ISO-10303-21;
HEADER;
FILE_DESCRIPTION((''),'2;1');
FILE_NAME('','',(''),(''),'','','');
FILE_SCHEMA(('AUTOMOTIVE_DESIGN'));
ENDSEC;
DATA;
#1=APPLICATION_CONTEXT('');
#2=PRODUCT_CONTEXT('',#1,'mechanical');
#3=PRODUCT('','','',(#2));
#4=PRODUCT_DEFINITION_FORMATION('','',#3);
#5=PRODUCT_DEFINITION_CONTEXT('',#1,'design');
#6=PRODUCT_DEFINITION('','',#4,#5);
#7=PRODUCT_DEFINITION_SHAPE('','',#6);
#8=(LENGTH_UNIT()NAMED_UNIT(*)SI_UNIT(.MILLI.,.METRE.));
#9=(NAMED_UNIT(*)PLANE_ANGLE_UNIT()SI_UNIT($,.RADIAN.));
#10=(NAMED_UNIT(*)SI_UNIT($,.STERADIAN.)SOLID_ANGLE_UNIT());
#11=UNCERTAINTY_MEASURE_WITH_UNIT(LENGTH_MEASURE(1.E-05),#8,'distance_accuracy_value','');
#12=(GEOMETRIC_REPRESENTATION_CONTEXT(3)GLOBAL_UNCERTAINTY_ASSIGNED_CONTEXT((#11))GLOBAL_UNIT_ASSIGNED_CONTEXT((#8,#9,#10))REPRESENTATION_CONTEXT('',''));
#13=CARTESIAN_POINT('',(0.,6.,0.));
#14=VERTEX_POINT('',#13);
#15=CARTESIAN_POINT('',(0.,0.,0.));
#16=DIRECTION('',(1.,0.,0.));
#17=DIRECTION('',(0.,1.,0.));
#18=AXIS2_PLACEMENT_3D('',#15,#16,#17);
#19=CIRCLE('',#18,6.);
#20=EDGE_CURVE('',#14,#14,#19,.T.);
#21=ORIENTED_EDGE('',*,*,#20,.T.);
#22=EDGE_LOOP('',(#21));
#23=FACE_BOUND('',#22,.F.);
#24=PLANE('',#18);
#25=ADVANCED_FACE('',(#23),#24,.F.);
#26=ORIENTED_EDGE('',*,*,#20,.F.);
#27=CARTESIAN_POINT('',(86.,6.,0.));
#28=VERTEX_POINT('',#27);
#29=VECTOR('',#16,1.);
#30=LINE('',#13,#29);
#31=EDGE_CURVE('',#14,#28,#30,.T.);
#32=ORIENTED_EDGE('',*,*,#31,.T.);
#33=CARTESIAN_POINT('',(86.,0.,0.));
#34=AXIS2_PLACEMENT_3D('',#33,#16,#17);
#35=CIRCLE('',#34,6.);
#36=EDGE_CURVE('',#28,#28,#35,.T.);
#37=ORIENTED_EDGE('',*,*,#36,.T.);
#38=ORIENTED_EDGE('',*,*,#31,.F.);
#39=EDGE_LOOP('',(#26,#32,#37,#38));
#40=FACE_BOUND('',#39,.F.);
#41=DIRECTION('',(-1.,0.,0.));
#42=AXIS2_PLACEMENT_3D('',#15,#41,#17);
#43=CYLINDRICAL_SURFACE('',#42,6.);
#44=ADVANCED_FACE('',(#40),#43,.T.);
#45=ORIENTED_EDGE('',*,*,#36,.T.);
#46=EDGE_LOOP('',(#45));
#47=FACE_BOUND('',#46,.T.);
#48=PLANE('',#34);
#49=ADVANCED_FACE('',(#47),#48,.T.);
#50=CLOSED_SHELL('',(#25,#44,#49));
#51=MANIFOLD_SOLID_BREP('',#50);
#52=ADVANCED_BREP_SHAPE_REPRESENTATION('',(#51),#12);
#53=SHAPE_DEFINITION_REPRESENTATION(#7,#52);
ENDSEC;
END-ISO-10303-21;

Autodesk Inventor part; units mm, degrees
ref_plane "YZ Plane" through (0, 0, 0) normal (1, 0, 0) x (0, 1, 0)
ref_plane "XZ Plane" through (0, 0, 0) normal (0, 1, 0) x (-1, 0, 0)
ref_plane "XY Plane" through (0, 0, 0) normal (0, 0, 1) x (1, 0, 0)
sketch "スケッチ1" plane through (0, 0, 0) normal (1, 0, 0) x (0, 1, 0)
  circle A0 centre (0, 0) radius 6
  dimension "d0" = 12
extrude "押し出し1" add sketch "スケッチ1" along normal blind 86
properties part number "RZvector-arm-rotate-v1-Shaft-H-Shaft" material "アルミニウム 6061"
